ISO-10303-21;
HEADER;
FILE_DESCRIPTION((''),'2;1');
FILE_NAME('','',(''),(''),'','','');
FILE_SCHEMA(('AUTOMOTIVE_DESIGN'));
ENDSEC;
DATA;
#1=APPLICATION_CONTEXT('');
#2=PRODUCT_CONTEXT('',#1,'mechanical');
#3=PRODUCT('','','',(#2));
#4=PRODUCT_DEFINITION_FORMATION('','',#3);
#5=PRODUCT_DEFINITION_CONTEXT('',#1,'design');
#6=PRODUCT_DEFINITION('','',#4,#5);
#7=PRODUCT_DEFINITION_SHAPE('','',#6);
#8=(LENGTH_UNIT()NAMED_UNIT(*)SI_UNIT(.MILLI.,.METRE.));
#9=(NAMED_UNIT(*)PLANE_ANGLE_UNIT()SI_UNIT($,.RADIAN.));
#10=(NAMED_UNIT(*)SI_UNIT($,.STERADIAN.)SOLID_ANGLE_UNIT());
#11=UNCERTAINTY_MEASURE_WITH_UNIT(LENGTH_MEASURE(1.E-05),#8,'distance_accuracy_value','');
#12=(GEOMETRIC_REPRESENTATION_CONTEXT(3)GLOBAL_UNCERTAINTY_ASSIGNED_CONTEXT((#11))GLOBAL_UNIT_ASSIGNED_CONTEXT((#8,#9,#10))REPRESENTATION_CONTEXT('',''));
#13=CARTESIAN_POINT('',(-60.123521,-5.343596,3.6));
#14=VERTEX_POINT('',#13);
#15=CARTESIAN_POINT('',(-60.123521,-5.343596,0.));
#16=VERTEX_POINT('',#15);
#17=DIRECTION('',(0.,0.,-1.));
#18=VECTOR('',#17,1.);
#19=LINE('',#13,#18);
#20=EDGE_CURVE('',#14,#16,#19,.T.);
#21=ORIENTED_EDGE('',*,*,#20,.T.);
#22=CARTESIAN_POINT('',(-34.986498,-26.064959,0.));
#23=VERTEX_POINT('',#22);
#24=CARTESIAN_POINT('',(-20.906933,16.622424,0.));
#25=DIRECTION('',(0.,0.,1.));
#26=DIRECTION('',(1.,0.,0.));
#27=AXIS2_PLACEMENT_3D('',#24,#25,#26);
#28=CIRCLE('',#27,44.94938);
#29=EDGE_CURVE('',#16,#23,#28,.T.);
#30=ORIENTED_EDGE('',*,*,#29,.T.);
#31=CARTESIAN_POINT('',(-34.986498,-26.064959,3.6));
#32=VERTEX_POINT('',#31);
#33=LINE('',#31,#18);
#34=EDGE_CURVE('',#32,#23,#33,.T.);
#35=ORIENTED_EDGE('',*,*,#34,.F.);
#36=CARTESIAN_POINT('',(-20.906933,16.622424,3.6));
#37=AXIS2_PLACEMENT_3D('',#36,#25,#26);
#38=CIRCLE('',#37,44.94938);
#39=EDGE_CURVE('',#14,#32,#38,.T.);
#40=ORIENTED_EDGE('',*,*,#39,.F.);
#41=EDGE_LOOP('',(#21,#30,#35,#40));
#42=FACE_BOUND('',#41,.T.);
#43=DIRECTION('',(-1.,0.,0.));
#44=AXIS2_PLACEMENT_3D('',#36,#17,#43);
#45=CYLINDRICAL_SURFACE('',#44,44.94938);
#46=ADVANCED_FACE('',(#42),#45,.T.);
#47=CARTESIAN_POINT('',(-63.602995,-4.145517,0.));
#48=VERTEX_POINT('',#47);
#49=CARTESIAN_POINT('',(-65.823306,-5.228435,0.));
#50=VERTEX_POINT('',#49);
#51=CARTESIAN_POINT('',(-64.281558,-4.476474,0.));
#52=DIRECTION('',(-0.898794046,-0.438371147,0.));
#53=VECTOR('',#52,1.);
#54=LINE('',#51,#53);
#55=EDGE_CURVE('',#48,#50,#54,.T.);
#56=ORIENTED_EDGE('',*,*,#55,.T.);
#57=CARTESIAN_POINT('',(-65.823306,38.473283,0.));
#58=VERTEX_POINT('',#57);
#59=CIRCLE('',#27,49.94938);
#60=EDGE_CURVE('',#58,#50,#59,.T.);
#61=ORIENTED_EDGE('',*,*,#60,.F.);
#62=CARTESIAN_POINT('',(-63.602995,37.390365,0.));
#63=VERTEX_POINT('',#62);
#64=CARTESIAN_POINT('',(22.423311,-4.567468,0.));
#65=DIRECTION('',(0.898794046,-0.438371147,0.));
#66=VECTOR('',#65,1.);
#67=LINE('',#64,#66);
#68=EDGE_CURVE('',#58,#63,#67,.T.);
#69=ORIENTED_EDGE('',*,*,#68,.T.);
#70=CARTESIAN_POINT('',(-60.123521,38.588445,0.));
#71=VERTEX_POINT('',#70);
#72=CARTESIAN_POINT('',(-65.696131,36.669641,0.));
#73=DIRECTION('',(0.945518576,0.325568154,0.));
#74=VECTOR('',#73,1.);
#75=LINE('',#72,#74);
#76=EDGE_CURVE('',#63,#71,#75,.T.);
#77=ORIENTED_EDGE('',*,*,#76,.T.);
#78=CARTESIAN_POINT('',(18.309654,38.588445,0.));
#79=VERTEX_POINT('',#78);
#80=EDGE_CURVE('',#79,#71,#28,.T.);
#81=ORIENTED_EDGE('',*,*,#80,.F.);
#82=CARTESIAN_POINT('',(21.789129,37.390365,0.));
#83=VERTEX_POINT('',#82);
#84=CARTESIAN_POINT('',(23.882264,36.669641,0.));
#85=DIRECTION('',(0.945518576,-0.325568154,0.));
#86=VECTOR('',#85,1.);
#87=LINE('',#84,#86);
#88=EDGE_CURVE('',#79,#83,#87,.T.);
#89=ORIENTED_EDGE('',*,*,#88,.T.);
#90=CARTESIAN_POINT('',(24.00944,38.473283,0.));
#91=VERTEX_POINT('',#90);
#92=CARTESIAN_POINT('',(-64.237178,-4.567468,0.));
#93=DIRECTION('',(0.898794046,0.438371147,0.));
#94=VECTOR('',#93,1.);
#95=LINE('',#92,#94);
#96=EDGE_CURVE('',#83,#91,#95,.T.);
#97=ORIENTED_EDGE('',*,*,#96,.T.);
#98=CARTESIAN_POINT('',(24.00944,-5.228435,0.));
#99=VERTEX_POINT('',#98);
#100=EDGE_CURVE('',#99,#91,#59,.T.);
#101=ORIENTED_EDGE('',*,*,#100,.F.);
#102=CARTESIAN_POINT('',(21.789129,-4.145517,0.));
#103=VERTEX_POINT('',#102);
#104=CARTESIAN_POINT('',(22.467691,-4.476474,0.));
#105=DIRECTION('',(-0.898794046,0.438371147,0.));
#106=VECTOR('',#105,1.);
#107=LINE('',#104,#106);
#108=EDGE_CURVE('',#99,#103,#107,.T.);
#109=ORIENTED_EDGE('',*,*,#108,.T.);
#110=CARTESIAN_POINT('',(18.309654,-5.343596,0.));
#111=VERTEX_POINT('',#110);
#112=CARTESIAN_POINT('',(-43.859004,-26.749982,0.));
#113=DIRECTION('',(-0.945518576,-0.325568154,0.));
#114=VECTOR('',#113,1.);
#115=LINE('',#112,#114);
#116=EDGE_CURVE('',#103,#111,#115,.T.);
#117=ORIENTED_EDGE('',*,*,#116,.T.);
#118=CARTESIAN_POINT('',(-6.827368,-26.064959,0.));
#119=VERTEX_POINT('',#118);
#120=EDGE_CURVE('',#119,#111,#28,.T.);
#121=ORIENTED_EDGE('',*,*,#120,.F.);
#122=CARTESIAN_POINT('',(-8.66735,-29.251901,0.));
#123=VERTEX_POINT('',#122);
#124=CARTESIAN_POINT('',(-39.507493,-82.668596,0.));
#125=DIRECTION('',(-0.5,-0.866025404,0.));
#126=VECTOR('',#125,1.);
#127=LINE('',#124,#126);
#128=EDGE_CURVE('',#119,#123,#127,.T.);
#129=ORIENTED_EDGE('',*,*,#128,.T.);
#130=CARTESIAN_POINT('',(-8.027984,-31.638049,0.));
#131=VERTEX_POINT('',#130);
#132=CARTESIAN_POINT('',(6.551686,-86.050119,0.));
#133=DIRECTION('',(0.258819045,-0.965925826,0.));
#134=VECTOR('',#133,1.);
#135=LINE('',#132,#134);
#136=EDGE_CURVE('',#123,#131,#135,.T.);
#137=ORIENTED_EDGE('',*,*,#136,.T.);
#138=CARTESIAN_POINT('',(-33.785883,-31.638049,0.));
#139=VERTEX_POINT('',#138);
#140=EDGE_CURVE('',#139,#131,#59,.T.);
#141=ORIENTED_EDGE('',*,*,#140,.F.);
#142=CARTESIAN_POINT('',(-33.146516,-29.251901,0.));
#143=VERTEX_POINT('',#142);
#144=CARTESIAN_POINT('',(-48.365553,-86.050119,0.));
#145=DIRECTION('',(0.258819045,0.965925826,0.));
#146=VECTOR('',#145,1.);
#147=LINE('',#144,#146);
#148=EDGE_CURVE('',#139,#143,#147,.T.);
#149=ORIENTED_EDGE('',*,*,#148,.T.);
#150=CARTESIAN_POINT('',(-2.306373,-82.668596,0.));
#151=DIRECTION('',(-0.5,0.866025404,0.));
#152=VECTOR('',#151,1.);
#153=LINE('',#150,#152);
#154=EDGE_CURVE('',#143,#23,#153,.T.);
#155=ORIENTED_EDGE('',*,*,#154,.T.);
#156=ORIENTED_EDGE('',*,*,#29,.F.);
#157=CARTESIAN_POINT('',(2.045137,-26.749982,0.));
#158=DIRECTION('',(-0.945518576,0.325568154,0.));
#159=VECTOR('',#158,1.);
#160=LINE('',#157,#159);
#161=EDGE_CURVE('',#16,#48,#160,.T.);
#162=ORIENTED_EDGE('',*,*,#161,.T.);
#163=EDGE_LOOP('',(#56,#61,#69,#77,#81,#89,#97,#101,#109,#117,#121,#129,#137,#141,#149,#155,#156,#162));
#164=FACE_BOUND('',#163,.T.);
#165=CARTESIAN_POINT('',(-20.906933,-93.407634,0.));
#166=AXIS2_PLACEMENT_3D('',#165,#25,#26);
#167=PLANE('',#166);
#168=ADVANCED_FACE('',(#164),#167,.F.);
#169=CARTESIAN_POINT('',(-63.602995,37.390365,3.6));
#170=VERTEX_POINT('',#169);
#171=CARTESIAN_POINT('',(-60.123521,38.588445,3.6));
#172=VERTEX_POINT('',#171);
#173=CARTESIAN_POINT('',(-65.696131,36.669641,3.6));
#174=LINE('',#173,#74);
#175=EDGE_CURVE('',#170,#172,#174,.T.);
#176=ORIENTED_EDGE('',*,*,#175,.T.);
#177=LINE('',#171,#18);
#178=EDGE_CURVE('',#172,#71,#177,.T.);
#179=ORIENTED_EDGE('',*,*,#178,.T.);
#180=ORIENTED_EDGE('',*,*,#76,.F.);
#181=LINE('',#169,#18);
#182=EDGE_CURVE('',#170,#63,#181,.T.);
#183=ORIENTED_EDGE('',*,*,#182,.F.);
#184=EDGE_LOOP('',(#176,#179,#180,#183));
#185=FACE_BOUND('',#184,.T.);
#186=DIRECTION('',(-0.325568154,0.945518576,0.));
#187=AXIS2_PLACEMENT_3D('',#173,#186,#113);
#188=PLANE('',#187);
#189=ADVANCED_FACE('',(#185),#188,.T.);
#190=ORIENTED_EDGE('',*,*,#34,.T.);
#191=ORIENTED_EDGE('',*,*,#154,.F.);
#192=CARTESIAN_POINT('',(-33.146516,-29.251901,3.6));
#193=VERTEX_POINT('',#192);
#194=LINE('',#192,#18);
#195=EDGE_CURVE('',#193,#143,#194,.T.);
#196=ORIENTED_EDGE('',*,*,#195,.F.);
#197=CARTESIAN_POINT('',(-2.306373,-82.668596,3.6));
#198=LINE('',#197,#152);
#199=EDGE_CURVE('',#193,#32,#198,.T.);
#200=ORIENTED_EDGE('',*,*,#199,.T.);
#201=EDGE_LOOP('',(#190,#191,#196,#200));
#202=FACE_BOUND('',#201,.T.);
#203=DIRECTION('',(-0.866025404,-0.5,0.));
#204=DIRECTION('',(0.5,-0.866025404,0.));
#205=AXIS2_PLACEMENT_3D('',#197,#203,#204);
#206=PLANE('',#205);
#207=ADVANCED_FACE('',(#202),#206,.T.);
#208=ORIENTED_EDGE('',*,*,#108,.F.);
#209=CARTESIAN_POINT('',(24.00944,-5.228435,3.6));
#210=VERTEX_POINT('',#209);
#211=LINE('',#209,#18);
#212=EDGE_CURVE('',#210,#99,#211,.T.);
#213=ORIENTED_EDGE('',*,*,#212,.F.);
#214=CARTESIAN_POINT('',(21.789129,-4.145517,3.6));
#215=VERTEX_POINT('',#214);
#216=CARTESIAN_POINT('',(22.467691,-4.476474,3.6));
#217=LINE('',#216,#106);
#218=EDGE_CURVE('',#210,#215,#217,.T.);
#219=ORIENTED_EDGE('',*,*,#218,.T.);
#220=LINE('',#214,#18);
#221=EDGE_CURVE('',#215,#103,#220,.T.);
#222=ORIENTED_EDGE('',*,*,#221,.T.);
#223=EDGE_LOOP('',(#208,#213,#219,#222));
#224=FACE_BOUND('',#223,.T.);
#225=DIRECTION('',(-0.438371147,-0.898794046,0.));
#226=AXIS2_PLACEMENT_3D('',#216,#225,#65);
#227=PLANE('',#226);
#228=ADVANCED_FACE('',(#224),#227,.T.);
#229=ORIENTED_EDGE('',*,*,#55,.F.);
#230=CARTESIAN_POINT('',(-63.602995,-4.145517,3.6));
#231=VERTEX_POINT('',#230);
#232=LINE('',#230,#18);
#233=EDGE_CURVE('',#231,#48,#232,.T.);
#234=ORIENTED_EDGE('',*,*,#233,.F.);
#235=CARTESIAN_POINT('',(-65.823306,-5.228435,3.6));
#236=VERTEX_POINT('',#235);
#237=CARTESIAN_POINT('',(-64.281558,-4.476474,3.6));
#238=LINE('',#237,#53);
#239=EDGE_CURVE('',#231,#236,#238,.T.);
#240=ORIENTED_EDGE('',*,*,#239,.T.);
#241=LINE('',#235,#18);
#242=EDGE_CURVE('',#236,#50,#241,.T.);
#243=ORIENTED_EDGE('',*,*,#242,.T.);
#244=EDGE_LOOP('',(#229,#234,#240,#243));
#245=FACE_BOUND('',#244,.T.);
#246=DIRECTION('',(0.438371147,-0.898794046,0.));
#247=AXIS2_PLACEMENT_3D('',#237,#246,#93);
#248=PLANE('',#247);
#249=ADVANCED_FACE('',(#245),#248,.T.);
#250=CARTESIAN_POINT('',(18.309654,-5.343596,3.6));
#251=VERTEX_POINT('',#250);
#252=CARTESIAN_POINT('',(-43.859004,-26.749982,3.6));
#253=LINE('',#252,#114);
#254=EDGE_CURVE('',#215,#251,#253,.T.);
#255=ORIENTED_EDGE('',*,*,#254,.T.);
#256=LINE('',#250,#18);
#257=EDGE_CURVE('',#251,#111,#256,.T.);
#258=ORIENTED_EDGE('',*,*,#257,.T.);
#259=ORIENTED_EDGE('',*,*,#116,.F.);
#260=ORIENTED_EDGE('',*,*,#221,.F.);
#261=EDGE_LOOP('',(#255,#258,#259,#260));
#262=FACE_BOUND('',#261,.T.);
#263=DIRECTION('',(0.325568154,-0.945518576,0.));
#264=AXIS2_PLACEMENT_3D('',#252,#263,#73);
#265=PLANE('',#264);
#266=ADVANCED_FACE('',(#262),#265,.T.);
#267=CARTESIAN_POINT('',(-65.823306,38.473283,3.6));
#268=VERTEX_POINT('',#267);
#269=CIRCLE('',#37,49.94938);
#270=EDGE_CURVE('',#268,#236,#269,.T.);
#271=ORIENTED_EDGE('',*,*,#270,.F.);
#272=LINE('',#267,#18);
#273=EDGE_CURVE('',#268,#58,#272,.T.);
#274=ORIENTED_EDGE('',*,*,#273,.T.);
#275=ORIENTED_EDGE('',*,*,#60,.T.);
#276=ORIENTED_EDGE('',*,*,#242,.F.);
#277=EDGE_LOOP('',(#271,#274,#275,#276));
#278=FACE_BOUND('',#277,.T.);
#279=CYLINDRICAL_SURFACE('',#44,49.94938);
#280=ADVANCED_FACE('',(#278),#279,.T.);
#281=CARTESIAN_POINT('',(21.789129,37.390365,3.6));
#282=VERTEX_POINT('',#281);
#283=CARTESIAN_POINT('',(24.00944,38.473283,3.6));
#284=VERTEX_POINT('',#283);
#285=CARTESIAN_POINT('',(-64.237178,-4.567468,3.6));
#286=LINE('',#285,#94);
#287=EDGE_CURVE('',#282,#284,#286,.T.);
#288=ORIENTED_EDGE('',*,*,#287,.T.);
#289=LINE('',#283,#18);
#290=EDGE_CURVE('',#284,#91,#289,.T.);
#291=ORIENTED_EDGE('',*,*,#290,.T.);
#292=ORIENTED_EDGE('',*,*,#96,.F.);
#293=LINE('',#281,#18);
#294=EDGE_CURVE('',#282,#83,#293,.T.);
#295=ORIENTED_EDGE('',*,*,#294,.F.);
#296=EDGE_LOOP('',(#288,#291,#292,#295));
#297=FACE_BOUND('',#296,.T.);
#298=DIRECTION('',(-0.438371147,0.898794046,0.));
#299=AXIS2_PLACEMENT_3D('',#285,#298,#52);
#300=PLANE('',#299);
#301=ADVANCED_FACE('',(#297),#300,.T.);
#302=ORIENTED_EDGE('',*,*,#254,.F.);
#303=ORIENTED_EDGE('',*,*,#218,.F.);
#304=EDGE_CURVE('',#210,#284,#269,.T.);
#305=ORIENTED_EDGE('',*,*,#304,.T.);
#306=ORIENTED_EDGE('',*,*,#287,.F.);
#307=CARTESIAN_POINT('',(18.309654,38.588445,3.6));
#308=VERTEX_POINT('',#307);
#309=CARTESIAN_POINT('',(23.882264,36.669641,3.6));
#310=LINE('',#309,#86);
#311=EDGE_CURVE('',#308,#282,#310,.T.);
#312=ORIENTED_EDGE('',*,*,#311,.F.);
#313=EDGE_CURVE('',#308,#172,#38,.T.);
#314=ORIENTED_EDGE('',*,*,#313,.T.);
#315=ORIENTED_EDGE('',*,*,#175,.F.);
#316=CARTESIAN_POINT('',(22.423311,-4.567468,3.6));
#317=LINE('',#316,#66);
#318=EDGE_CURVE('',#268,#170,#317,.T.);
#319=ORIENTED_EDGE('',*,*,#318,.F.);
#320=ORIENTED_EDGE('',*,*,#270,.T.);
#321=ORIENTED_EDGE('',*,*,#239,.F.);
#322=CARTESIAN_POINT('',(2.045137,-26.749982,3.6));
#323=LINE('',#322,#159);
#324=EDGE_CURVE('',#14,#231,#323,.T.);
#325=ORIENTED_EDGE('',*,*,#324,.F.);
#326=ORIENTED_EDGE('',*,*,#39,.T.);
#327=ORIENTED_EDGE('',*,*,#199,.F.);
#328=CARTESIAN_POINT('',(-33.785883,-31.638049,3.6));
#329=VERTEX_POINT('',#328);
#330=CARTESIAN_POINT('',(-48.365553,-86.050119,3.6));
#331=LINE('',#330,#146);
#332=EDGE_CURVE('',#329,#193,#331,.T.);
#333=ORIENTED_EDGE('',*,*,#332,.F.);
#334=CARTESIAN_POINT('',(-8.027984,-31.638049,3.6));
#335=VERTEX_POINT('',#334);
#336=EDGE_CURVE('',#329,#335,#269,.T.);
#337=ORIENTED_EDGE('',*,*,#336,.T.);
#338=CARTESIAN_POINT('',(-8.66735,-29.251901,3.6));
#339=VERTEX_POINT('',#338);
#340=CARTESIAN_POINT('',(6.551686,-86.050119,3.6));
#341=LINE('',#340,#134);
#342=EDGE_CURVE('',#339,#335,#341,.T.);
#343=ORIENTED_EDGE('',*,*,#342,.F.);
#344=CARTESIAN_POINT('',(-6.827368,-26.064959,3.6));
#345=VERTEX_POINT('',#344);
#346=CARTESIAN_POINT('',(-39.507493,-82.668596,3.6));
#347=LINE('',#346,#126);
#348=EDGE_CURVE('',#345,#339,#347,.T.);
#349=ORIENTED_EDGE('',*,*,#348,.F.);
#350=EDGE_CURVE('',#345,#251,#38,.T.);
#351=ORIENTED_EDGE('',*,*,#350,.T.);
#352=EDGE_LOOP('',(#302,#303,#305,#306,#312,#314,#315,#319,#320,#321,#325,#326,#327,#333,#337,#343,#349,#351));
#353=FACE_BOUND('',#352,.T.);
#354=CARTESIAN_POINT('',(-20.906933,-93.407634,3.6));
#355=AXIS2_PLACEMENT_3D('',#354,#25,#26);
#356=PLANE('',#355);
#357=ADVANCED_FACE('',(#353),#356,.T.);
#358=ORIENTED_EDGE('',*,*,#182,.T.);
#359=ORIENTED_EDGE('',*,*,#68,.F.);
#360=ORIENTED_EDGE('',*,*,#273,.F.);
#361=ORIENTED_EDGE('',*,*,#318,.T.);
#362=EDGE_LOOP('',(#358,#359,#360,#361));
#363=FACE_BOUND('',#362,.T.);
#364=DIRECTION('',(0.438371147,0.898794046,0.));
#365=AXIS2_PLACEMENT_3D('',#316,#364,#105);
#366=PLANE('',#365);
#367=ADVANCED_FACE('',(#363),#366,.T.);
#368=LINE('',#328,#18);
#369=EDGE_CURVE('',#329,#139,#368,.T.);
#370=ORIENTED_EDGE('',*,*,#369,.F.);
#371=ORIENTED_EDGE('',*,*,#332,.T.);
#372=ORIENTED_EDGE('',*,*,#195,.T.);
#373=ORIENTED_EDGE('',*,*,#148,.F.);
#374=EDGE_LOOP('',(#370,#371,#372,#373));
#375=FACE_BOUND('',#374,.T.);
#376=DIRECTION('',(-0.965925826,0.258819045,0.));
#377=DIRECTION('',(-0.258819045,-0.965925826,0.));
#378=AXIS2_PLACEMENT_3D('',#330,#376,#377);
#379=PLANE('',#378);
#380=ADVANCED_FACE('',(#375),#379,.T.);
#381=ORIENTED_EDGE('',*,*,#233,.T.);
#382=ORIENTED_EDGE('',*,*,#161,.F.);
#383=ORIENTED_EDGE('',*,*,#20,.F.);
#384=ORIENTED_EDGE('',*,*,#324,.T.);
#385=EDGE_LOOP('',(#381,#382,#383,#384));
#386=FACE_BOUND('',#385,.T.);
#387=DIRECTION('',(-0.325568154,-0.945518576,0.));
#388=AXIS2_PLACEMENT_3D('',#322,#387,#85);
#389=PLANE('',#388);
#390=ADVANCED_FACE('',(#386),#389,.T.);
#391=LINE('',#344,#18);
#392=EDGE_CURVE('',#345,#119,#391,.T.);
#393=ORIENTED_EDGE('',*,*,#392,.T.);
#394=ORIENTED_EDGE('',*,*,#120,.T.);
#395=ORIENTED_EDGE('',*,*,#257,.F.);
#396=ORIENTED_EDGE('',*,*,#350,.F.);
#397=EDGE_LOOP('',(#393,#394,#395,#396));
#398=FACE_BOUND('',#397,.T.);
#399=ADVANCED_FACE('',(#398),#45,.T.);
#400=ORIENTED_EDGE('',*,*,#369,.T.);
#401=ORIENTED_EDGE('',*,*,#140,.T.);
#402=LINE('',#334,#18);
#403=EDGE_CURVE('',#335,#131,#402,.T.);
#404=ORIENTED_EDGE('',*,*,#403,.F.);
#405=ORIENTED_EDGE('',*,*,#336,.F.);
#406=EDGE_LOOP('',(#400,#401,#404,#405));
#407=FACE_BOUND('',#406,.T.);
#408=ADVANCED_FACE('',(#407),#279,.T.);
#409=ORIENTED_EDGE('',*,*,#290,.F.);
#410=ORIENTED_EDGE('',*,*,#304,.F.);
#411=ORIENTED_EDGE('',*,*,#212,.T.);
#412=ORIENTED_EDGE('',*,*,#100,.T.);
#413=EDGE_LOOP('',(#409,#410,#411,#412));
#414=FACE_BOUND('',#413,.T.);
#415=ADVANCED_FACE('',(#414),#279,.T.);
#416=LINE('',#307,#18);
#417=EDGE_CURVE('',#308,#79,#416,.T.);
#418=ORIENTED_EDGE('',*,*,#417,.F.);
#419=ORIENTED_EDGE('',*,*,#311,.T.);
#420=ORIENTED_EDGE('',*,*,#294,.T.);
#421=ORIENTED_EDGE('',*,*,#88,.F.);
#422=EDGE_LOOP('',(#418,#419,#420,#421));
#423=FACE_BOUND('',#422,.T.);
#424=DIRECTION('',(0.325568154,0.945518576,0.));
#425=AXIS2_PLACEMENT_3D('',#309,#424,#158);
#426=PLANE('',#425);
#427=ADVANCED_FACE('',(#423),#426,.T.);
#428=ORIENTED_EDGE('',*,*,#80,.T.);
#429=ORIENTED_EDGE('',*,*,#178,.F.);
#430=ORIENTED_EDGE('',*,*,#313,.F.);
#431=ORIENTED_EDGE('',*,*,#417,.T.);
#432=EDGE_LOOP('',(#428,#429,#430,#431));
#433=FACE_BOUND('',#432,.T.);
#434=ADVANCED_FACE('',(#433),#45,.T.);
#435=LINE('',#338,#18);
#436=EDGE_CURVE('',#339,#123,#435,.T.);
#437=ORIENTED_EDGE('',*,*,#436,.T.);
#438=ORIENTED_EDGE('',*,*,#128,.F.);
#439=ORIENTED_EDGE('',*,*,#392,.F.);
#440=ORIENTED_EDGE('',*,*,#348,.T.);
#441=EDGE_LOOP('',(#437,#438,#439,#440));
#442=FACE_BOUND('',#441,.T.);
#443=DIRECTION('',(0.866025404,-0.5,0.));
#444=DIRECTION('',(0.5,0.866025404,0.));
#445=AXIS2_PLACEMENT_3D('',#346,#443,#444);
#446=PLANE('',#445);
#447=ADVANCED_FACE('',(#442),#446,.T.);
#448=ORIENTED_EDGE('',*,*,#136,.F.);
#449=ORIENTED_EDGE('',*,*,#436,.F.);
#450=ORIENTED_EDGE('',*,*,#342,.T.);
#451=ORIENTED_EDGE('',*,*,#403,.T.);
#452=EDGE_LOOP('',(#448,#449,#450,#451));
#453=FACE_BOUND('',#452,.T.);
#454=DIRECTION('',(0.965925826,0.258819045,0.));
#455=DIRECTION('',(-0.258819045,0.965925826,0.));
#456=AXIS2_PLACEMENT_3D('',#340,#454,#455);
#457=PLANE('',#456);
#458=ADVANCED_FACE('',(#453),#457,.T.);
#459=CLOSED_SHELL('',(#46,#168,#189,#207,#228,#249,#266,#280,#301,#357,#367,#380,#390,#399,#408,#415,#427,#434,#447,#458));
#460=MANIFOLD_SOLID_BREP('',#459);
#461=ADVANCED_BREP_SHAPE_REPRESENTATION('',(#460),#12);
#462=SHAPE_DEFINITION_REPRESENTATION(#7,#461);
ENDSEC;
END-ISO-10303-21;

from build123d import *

# Parameters (mm, degrees)
BOSS_EXTRUDE1_DEPTH = 3.6


with BuildPart() as part:
    # Sketch1 → Boss-Extrude1 (new body)
    with BuildSketch(Plane.XY):
        with BuildLine():
            Line((-33.14651631, -29.251901051), (-33.785882697, -31.638048893))
            ThreePointArc((-33.785882697, -31.638048893), (-20.906933284, -33.326956191), (-8.027983871, -31.638048893))
            Line((-8.027983871, -31.638048893), (-8.667350258, -29.251901051))
            Line((-8.667350258, -29.251901051), (-6.827368119, -26.064958502))
            ThreePointArc((-6.827368119, -26.064958502), (7.684388547, -18.061622736), (18.309654204, -5.343596369))
            Line((18.309654204, -5.343596369), (21.789128786, -4.145517191))
            Line((21.789128786, -4.145517191), (24.009439514, -5.228435089))
            ThreePointArc((24.009439514, -5.228435089), (29.042447028, 16.622424121), (24.009439514, 38.473283331))
            Line((24.009439514, 38.473283331), (21.789128786, 37.390365433))
            Line((21.789128786, 37.390365433), (18.309654204, 38.588444611))
            ThreePointArc((18.309654204, 38.588444611), (-20.906933284, 61.571804433), (-60.123520772, 38.588444611))
            Line((-60.123520772, 38.588444611), (-63.602995354, 37.390365433))
            Line((-63.602995354, 37.390365433), (-65.823306082, 38.473283331))
            ThreePointArc((-65.823306082, 38.473283331), (-70.856313596, 16.622424121), (-65.823306082, -5.228435089))
            Line((-65.823306082, -5.228435089), (-63.602995354, -4.145517191))
            Line((-63.602995354, -4.145517191), (-60.123520772, -5.343596369))
            ThreePointArc((-60.123520772, -5.343596369), (-49.498255115, -18.061622736), (-34.986498448, -26.064958502))
            Line((-34.986498448, -26.064958502), (-33.14651631, -29.251901051))
        make_face()
    extrude(amount=BOSS_EXTRUDE1_DEPTH)


solid = part.part
